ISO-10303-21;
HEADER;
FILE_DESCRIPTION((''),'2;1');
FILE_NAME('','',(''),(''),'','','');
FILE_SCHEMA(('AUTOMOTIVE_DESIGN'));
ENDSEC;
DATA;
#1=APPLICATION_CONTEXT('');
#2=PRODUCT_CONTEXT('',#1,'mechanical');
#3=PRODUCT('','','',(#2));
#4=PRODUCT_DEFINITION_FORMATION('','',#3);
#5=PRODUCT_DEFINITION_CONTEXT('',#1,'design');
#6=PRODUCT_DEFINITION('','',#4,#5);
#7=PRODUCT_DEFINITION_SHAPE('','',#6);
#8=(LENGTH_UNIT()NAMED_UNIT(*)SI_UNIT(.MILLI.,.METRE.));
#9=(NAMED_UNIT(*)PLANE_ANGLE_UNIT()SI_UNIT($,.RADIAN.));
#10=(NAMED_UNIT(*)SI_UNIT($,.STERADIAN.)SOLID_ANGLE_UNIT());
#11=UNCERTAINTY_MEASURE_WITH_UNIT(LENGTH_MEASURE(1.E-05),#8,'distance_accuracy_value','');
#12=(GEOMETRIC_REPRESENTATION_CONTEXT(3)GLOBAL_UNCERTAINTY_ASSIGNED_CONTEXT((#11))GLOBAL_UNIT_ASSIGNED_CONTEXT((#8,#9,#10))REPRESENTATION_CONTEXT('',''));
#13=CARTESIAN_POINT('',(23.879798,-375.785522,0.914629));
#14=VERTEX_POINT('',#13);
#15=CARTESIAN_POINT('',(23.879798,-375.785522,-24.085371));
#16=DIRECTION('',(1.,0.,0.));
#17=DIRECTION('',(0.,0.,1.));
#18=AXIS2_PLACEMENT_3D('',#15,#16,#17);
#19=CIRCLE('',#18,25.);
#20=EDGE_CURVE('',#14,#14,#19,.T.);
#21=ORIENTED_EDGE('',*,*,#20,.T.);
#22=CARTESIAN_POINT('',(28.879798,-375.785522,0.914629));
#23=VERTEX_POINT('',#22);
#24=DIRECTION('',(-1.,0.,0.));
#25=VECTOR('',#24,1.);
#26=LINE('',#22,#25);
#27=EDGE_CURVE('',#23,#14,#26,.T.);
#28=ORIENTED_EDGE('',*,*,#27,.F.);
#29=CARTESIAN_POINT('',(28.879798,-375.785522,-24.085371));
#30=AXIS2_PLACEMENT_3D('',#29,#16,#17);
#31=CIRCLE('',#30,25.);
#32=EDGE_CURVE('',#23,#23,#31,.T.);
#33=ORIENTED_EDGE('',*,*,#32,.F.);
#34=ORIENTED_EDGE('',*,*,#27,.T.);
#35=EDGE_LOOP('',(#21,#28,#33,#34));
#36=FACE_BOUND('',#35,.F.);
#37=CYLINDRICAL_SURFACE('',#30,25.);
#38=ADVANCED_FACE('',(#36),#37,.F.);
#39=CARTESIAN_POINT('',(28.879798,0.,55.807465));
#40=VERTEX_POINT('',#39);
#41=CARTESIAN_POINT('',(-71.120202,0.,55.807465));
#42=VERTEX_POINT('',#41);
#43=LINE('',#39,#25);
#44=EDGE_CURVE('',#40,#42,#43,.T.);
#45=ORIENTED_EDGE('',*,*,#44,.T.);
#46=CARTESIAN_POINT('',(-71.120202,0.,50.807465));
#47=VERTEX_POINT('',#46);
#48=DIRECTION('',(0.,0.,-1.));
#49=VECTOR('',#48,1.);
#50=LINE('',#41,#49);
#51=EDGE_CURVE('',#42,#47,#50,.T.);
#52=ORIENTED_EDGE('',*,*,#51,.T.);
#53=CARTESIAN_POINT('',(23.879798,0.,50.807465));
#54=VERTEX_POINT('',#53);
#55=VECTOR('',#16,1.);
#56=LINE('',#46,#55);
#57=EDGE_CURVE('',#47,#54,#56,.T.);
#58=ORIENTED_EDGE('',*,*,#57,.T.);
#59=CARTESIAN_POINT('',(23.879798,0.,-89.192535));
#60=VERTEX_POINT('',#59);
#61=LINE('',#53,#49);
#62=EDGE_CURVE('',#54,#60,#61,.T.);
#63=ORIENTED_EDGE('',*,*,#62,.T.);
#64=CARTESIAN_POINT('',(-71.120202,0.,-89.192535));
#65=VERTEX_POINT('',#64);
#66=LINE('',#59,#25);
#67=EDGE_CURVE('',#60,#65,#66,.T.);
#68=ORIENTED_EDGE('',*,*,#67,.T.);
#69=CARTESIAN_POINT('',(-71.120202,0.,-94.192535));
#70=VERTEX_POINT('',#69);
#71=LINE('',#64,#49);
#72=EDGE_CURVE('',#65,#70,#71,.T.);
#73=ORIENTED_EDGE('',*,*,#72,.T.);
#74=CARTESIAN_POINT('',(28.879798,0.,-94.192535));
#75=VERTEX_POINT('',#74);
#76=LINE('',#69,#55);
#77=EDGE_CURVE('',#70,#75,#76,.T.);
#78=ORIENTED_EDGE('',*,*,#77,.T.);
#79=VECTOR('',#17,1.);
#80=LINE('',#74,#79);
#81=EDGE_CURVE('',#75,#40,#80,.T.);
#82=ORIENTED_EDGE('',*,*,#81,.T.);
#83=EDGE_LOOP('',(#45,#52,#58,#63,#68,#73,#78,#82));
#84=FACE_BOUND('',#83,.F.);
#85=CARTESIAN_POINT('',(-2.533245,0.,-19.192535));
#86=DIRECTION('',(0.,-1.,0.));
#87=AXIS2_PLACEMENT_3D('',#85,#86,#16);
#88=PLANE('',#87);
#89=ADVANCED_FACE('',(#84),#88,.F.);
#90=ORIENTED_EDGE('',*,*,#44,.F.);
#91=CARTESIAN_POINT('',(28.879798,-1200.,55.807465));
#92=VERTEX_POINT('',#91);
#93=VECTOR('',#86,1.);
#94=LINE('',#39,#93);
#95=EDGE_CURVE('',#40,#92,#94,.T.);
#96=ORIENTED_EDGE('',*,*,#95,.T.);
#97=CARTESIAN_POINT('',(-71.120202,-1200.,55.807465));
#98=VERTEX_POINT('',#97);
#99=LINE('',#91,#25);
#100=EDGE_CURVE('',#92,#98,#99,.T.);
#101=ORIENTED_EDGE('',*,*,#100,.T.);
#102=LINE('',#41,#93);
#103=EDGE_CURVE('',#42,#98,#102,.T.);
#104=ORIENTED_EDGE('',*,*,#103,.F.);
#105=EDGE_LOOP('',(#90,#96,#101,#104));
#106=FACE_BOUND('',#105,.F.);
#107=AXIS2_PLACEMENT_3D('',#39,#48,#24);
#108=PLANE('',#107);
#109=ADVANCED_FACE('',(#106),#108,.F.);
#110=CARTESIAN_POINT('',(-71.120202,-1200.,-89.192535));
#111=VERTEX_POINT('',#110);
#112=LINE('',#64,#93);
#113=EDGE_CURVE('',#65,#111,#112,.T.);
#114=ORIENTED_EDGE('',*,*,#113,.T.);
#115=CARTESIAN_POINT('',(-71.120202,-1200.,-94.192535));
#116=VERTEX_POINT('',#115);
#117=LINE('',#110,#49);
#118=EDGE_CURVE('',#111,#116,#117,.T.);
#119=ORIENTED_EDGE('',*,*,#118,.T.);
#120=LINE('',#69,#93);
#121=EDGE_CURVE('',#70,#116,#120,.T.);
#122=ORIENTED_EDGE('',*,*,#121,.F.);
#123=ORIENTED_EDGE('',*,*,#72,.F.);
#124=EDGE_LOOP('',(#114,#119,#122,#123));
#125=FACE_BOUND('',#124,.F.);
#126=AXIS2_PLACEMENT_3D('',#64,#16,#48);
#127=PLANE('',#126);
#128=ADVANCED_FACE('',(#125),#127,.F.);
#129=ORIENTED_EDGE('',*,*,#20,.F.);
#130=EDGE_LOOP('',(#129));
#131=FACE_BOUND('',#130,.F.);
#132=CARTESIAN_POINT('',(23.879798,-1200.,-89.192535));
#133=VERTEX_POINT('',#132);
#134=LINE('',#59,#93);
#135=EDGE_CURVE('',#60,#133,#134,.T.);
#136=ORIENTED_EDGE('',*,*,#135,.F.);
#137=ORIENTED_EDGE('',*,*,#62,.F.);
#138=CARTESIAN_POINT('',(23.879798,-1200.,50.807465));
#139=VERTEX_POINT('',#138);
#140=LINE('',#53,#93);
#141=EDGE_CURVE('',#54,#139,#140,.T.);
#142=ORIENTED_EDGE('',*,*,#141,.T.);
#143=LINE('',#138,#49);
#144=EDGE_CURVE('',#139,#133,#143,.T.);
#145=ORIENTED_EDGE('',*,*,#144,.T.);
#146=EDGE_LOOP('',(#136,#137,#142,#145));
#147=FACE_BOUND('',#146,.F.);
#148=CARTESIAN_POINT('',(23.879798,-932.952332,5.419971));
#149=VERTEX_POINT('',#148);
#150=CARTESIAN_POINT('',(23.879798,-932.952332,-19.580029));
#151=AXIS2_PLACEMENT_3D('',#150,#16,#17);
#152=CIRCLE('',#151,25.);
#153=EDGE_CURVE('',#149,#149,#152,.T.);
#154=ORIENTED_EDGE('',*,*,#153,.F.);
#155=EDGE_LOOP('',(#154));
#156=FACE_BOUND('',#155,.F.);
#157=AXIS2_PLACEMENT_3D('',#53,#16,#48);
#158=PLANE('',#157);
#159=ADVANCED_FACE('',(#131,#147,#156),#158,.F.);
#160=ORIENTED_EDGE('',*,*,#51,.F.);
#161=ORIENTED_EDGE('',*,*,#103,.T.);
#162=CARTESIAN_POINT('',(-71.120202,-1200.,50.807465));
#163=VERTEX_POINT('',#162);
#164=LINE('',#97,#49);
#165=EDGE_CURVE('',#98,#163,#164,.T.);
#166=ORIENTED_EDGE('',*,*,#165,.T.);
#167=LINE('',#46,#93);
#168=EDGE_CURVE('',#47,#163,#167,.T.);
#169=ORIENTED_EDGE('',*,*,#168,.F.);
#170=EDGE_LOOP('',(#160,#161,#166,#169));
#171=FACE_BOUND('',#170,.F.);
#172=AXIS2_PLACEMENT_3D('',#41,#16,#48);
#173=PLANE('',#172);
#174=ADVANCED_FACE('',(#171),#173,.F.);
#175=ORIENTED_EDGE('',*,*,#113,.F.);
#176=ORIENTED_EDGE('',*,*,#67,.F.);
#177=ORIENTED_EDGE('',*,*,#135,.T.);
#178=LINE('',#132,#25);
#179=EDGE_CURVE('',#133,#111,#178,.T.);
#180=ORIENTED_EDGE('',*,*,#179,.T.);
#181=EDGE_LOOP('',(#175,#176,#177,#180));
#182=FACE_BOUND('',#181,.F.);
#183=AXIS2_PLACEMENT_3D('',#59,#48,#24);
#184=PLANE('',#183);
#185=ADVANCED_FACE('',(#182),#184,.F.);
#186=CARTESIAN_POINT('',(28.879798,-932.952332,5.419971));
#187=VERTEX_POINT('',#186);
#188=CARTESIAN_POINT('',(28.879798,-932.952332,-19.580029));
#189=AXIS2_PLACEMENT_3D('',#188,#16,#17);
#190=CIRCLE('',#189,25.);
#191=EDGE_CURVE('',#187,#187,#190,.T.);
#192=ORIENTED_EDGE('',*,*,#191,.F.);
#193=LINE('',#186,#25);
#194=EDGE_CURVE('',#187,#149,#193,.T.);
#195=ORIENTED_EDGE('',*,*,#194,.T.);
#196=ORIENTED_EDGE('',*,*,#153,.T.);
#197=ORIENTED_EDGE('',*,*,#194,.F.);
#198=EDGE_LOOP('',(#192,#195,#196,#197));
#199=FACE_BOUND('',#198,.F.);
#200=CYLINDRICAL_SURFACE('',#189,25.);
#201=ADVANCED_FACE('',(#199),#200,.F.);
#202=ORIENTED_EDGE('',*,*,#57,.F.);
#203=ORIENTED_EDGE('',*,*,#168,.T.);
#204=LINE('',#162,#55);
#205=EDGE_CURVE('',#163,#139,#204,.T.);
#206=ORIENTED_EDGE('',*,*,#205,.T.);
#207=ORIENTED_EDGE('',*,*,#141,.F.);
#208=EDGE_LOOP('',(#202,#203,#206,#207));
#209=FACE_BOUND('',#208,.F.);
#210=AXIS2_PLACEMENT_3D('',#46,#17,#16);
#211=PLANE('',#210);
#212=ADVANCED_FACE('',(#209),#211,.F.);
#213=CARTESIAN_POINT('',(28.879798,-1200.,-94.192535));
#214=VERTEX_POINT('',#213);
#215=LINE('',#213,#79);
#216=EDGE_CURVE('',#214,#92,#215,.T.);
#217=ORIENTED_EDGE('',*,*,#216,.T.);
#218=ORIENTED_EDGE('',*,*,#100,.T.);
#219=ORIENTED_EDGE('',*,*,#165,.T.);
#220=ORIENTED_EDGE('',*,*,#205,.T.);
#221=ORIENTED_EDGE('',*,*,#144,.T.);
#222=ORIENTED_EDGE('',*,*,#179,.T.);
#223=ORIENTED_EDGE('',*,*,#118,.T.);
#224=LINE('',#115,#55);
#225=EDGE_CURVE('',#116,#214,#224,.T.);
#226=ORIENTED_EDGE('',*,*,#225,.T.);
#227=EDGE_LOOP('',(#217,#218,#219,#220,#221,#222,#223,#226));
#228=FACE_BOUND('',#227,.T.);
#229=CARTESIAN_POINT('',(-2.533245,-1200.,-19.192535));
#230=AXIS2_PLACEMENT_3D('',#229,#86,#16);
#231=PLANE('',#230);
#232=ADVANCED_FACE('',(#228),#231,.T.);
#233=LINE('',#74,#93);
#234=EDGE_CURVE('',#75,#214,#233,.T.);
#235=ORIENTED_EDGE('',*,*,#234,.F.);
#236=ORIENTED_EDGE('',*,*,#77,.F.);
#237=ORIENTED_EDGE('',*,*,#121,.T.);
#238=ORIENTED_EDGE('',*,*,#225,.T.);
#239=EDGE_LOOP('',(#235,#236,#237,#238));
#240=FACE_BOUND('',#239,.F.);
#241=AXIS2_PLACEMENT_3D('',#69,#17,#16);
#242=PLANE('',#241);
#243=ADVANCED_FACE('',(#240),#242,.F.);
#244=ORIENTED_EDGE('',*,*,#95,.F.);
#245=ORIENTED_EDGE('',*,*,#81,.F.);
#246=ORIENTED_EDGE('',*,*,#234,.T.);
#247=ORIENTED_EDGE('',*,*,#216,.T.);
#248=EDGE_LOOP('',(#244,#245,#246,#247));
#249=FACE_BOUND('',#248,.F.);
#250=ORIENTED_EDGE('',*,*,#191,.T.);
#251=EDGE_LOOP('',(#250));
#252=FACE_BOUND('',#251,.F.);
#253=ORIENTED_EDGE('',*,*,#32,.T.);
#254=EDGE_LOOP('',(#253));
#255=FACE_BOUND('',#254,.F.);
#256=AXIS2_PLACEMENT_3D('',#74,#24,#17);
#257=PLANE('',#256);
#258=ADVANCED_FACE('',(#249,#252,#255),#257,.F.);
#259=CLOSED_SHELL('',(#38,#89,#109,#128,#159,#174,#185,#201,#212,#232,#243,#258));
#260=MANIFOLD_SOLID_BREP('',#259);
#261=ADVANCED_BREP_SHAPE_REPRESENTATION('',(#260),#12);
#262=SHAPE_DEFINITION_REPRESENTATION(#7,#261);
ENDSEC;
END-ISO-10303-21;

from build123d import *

# Parameters (mm, degrees)
PAD_DEPTH    = 1200
SKETCH001_R  = 25
POCKET_DEPTH = 11


with BuildPart() as part:
    # Sketch → Pad (new body)
    with BuildSketch(Plane.XZ):
        Polygon((-71.120202, 50.807465), (23.879798, 50.807465), (23.879798, -89.192535), (-71.120202, -89.192535), (-71.120202, -94.192535), (28.879798, -94.192535), (28.879798, 55.807465), (-71.120202, 55.807465), align=None)
    extrude(amount=PAD_DEPTH)

    # Sketch001 (on DatumPlane) → Pocket (cut)
    with BuildSketch(Plane(origin=(28.879798, 0, 0), x_dir=(0, 0, 1), z_dir=(1, 0, 0))):
        with Locations((-19.580029, 932.952332)):
            Circle(SKETCH001_R)
        with Locations((-24.085371, 375.785522)):
            Circle(SKETCH001_R)
    extrude(amount=-POCKET_DEPTH, mode=Mode.SUBTRACT)


solid = part.part
